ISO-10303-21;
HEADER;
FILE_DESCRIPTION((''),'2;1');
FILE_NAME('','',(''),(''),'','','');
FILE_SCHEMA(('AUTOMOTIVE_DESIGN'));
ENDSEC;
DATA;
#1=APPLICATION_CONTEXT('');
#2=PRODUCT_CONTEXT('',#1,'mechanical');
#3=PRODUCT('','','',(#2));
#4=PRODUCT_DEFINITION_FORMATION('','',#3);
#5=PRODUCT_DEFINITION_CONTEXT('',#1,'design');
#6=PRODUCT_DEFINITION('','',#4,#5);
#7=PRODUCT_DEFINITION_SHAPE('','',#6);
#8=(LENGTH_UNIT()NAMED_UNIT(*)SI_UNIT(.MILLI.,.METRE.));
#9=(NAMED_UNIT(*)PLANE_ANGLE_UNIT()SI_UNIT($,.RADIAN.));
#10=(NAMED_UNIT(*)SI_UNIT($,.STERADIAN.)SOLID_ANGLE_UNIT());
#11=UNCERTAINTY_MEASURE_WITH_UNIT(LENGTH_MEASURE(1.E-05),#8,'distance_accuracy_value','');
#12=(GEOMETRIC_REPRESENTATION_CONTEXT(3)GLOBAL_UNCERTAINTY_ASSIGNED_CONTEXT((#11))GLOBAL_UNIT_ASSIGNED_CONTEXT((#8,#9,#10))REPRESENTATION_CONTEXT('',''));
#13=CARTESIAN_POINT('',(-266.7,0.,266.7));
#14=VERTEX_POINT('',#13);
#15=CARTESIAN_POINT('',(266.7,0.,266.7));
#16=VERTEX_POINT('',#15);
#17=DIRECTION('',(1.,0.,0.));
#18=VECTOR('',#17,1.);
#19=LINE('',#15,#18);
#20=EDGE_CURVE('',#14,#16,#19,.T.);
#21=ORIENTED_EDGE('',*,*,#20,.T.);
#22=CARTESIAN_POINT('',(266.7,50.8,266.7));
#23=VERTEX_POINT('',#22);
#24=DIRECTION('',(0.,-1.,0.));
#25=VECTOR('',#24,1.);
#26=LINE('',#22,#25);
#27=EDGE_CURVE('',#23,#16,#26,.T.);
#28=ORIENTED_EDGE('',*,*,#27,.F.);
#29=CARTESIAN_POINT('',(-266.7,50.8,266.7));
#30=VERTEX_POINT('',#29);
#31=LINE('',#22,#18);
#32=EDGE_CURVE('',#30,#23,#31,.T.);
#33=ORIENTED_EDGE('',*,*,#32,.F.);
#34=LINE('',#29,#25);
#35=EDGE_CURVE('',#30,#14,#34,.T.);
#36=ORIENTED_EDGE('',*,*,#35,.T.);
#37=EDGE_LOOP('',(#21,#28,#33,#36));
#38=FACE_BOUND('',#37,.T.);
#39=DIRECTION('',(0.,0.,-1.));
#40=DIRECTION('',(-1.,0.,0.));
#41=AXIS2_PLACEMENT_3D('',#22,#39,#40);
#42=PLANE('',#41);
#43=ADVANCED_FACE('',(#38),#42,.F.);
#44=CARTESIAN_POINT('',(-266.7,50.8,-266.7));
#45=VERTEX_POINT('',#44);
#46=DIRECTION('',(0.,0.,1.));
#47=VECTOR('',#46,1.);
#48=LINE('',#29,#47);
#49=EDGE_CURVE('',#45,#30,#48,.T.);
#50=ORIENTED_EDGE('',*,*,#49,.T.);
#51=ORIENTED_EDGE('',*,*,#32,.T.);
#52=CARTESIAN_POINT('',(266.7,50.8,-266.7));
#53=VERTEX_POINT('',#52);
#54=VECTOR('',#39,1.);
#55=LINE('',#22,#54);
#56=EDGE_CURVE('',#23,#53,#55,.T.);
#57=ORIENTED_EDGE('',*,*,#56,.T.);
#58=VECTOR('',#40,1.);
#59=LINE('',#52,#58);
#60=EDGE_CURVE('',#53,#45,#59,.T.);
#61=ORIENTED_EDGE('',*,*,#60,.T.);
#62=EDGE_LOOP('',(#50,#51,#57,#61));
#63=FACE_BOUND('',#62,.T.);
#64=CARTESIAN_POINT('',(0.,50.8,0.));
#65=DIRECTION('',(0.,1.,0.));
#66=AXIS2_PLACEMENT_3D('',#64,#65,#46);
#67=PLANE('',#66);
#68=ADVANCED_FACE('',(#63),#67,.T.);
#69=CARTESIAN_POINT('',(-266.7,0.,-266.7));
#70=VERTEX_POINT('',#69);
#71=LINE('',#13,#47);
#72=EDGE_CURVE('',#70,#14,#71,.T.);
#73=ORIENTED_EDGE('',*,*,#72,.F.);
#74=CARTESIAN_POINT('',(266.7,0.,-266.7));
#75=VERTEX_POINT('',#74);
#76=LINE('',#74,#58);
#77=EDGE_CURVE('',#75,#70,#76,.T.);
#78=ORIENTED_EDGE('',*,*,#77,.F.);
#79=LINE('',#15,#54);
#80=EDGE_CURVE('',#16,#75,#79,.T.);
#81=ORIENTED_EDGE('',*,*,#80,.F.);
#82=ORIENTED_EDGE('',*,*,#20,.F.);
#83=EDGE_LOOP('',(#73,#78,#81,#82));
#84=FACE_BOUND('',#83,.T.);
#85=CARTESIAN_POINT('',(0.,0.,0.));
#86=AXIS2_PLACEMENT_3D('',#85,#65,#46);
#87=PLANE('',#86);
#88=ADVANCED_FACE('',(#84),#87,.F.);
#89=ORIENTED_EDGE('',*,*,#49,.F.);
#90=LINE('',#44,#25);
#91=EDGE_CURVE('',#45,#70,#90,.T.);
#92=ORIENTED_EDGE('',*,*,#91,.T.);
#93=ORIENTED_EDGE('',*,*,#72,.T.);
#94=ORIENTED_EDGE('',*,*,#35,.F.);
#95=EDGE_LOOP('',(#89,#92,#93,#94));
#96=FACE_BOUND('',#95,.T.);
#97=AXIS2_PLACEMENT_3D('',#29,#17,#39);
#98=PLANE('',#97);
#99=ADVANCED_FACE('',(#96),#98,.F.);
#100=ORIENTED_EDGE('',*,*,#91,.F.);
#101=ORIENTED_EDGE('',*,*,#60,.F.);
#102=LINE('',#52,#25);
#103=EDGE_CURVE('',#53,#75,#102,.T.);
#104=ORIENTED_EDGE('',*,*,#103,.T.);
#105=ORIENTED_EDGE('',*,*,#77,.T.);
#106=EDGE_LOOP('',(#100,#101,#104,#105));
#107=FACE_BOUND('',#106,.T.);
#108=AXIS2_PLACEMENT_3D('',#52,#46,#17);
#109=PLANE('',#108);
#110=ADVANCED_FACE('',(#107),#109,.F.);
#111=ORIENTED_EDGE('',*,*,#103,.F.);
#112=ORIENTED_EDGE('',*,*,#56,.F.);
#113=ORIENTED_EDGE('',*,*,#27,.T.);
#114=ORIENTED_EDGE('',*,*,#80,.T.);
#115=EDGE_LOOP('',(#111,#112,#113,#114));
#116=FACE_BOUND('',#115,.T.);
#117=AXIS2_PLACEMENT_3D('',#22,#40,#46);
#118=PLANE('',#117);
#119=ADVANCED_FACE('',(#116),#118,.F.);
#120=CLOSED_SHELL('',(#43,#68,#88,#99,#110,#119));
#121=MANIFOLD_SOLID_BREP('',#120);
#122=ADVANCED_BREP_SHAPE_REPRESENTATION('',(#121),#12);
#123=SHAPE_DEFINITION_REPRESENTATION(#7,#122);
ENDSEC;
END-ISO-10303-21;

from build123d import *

# Parameters (mm, degrees)
SKETCH1_W           = 533.4
SKETCH1_H           = 533.4
BOSS_EXTRUDE1_DEPTH = 50.8


with BuildPart() as part:
    # Sketch1 → Boss-Extrude1 (new body)
    with BuildSketch(Plane(origin=(0, 0, 0), x_dir=(1, 0, 0), z_dir=(0, 1, 0))):
        Rectangle(SKETCH1_W, SKETCH1_H)
    extrude(amount=BOSS_EXTRUDE1_DEPTH)


solid = part.part
